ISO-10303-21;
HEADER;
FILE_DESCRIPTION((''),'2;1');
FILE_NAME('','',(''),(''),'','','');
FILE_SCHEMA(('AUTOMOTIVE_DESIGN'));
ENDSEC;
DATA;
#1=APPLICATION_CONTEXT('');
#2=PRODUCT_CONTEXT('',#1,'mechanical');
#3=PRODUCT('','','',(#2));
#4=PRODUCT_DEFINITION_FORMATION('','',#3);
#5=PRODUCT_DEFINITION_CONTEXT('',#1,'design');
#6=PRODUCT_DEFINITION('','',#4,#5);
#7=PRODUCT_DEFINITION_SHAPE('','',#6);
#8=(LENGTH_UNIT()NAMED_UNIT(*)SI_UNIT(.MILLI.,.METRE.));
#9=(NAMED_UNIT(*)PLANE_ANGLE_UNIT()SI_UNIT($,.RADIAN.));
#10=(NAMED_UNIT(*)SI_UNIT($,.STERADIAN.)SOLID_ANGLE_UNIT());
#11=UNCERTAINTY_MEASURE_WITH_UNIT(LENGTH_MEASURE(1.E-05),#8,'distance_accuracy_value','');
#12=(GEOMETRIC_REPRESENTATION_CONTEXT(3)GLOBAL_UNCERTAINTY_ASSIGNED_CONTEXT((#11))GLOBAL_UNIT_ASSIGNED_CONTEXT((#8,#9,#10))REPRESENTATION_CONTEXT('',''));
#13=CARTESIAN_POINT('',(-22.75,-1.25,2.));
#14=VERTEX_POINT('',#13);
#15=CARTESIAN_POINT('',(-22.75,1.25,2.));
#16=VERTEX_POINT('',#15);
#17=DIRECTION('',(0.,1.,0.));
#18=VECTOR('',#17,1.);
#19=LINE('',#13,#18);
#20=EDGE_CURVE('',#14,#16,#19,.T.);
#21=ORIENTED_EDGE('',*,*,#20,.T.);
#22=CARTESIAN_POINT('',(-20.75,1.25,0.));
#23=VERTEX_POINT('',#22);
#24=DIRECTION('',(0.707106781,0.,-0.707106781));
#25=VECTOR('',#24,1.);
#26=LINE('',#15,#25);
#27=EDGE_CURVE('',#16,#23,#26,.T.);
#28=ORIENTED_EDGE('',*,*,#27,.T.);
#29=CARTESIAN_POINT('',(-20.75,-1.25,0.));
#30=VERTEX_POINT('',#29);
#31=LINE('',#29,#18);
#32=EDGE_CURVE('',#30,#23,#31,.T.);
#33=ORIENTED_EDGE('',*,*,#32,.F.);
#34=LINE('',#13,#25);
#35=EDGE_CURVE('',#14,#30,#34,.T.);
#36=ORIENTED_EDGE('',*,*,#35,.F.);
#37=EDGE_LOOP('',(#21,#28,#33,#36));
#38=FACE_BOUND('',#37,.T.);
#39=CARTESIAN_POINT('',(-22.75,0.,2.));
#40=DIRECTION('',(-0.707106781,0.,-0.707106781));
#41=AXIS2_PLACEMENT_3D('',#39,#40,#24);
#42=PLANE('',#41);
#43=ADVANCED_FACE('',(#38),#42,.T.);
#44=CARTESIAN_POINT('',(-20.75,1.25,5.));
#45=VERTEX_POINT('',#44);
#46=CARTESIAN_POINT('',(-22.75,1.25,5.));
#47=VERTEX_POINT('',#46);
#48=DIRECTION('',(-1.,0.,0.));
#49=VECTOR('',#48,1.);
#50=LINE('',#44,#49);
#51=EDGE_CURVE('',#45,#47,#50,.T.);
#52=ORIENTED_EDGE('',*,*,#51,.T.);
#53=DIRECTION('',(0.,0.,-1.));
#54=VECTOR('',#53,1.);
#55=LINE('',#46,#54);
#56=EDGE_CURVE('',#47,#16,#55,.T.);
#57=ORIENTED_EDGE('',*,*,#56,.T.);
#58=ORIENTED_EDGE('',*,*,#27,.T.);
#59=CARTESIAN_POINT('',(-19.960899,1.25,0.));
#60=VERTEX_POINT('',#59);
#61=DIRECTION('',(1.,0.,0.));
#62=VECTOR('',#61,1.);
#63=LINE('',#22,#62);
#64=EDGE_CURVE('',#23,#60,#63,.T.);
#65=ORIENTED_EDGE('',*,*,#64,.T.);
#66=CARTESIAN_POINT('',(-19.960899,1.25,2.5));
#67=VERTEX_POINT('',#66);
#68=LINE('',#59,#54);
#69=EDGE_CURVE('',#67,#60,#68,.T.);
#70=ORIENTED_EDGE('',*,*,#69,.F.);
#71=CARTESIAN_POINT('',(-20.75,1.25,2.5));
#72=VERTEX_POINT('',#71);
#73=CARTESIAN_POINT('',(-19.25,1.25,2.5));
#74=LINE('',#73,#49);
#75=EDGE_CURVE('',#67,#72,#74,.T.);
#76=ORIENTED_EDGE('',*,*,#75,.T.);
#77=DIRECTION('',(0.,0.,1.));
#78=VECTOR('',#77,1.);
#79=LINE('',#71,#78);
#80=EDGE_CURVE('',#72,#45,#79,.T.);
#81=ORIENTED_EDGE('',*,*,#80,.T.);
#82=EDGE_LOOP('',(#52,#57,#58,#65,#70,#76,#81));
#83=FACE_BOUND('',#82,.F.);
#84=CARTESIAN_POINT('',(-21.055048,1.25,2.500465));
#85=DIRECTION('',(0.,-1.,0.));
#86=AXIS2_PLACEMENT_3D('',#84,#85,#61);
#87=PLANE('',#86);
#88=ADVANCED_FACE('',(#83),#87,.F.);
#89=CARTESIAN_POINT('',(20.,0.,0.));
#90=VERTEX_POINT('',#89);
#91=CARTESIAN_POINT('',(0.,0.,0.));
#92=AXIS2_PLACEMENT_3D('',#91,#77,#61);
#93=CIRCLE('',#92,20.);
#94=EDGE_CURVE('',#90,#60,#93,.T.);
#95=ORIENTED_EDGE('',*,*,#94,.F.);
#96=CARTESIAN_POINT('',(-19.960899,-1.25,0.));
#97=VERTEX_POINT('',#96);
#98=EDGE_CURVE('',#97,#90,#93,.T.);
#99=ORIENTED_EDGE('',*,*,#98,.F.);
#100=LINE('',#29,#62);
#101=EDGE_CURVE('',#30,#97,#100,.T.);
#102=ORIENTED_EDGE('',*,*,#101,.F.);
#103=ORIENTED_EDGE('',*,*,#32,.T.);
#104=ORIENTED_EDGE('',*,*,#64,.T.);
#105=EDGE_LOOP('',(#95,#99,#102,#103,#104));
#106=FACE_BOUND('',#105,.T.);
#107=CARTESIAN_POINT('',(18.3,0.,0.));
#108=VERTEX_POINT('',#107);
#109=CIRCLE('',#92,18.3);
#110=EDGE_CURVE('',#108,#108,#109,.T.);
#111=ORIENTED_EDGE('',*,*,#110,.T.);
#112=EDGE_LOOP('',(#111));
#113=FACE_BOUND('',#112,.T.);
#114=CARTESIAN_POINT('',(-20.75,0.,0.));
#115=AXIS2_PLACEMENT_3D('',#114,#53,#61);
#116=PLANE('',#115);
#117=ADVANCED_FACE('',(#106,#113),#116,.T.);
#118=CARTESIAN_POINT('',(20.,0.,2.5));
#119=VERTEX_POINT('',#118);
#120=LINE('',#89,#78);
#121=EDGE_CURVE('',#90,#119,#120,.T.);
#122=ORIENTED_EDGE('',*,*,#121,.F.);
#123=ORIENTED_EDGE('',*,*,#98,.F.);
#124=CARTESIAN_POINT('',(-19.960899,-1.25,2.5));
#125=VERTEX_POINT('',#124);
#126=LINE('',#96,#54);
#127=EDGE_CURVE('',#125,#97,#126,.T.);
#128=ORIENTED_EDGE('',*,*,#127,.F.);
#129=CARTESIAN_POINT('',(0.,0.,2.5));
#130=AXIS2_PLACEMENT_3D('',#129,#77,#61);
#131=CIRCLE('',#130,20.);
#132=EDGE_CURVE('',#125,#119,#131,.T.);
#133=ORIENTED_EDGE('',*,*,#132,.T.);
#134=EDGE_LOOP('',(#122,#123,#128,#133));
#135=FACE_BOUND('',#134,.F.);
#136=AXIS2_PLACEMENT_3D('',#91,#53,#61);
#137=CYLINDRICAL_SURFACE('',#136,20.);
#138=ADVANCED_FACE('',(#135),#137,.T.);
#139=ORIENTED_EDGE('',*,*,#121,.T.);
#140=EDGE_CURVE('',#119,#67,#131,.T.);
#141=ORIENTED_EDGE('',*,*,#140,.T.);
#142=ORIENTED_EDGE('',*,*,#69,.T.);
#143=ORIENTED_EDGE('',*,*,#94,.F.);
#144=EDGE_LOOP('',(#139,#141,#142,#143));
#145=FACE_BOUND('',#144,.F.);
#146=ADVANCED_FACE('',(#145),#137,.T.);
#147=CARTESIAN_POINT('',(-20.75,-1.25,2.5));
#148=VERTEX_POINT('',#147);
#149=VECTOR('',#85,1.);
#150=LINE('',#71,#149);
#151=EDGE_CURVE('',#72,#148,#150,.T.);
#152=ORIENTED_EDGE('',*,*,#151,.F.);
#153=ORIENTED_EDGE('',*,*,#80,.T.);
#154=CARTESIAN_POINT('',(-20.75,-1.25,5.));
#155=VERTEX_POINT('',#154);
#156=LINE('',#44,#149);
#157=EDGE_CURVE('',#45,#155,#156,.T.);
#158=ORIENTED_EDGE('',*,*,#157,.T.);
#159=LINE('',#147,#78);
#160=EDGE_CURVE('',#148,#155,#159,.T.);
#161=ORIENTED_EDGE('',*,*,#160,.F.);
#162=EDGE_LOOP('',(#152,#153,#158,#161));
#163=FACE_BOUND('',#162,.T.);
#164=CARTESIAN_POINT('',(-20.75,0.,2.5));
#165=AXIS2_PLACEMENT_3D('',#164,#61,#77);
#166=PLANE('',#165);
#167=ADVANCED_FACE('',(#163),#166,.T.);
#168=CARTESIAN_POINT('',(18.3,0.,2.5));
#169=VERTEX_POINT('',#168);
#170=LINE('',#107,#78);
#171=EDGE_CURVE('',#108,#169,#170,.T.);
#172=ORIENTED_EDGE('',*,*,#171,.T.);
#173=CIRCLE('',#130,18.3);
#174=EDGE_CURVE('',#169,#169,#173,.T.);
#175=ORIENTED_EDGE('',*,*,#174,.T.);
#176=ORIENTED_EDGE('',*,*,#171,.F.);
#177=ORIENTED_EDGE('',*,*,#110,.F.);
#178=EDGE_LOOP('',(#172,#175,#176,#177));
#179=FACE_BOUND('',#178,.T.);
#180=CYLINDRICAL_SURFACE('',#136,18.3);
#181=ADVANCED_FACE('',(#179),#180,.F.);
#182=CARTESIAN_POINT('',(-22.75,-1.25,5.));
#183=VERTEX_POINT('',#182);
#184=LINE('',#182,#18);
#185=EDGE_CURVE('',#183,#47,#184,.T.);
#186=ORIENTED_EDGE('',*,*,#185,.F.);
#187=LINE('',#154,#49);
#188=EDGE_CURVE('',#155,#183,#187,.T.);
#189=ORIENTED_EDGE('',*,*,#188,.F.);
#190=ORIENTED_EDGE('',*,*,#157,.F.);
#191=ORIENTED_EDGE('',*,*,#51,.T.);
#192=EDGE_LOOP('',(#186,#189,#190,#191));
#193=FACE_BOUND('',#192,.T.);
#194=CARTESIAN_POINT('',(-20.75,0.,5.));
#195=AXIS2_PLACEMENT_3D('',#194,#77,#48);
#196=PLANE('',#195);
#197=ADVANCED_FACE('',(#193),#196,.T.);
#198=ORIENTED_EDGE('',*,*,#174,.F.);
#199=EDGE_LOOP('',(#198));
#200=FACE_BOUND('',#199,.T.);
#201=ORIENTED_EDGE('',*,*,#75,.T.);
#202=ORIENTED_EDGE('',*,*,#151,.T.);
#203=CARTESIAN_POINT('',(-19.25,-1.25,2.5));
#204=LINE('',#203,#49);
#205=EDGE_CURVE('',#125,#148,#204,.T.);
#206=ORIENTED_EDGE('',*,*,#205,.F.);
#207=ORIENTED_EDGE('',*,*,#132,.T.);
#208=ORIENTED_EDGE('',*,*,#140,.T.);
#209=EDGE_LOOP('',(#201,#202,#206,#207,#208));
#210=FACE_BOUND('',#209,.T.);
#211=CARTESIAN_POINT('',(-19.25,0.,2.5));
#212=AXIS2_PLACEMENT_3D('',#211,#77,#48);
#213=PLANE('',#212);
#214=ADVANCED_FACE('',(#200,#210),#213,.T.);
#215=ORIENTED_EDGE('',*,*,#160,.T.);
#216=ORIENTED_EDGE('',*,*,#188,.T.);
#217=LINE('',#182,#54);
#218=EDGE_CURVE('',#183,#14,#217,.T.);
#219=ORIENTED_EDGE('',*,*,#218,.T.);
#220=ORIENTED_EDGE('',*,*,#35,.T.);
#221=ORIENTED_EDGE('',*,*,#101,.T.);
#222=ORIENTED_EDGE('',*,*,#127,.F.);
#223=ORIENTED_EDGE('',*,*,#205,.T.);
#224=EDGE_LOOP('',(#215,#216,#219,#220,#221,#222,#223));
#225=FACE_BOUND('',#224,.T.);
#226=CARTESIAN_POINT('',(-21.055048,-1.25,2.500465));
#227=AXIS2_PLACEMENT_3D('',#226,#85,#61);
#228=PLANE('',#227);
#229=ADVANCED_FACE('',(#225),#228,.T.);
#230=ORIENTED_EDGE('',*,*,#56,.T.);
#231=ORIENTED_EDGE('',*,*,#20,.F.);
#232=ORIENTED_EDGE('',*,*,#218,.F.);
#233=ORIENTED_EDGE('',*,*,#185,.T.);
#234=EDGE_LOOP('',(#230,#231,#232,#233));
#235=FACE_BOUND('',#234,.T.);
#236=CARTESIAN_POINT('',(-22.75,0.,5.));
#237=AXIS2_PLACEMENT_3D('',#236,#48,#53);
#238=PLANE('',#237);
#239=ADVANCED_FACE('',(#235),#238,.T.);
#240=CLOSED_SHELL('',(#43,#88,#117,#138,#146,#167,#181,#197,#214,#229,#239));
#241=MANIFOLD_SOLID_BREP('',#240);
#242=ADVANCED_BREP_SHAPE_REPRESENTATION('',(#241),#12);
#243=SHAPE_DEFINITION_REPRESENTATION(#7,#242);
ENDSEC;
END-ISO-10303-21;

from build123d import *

# Parameters (mm, degrees)
F0_R     = 20
F0_R_2   = 18.3
F1_DEPTH = 2.5
F3_DEPTH = 1.25


with BuildPart() as f1:
    # F0 (on Top) → F1 (new body)
    with BuildSketch(Plane.XY):
        Circle(F0_R)
        Circle(F0_R_2, mode=Mode.SUBTRACT)
    extrude(amount=F1_DEPTH)

    # F2 (on Front) → F3 (join, symmetric)
    with BuildSketch(Plane.XZ):
        Polygon((-20.75, 0), (-19.25, 0), (-19.25, 2.5), (-20.75, 2.5), (-20.75, 5), (-22.75, 5), (-22.75, 2), align=None)
    extrude(amount=F3_DEPTH, both=True)


solid = f1.part
